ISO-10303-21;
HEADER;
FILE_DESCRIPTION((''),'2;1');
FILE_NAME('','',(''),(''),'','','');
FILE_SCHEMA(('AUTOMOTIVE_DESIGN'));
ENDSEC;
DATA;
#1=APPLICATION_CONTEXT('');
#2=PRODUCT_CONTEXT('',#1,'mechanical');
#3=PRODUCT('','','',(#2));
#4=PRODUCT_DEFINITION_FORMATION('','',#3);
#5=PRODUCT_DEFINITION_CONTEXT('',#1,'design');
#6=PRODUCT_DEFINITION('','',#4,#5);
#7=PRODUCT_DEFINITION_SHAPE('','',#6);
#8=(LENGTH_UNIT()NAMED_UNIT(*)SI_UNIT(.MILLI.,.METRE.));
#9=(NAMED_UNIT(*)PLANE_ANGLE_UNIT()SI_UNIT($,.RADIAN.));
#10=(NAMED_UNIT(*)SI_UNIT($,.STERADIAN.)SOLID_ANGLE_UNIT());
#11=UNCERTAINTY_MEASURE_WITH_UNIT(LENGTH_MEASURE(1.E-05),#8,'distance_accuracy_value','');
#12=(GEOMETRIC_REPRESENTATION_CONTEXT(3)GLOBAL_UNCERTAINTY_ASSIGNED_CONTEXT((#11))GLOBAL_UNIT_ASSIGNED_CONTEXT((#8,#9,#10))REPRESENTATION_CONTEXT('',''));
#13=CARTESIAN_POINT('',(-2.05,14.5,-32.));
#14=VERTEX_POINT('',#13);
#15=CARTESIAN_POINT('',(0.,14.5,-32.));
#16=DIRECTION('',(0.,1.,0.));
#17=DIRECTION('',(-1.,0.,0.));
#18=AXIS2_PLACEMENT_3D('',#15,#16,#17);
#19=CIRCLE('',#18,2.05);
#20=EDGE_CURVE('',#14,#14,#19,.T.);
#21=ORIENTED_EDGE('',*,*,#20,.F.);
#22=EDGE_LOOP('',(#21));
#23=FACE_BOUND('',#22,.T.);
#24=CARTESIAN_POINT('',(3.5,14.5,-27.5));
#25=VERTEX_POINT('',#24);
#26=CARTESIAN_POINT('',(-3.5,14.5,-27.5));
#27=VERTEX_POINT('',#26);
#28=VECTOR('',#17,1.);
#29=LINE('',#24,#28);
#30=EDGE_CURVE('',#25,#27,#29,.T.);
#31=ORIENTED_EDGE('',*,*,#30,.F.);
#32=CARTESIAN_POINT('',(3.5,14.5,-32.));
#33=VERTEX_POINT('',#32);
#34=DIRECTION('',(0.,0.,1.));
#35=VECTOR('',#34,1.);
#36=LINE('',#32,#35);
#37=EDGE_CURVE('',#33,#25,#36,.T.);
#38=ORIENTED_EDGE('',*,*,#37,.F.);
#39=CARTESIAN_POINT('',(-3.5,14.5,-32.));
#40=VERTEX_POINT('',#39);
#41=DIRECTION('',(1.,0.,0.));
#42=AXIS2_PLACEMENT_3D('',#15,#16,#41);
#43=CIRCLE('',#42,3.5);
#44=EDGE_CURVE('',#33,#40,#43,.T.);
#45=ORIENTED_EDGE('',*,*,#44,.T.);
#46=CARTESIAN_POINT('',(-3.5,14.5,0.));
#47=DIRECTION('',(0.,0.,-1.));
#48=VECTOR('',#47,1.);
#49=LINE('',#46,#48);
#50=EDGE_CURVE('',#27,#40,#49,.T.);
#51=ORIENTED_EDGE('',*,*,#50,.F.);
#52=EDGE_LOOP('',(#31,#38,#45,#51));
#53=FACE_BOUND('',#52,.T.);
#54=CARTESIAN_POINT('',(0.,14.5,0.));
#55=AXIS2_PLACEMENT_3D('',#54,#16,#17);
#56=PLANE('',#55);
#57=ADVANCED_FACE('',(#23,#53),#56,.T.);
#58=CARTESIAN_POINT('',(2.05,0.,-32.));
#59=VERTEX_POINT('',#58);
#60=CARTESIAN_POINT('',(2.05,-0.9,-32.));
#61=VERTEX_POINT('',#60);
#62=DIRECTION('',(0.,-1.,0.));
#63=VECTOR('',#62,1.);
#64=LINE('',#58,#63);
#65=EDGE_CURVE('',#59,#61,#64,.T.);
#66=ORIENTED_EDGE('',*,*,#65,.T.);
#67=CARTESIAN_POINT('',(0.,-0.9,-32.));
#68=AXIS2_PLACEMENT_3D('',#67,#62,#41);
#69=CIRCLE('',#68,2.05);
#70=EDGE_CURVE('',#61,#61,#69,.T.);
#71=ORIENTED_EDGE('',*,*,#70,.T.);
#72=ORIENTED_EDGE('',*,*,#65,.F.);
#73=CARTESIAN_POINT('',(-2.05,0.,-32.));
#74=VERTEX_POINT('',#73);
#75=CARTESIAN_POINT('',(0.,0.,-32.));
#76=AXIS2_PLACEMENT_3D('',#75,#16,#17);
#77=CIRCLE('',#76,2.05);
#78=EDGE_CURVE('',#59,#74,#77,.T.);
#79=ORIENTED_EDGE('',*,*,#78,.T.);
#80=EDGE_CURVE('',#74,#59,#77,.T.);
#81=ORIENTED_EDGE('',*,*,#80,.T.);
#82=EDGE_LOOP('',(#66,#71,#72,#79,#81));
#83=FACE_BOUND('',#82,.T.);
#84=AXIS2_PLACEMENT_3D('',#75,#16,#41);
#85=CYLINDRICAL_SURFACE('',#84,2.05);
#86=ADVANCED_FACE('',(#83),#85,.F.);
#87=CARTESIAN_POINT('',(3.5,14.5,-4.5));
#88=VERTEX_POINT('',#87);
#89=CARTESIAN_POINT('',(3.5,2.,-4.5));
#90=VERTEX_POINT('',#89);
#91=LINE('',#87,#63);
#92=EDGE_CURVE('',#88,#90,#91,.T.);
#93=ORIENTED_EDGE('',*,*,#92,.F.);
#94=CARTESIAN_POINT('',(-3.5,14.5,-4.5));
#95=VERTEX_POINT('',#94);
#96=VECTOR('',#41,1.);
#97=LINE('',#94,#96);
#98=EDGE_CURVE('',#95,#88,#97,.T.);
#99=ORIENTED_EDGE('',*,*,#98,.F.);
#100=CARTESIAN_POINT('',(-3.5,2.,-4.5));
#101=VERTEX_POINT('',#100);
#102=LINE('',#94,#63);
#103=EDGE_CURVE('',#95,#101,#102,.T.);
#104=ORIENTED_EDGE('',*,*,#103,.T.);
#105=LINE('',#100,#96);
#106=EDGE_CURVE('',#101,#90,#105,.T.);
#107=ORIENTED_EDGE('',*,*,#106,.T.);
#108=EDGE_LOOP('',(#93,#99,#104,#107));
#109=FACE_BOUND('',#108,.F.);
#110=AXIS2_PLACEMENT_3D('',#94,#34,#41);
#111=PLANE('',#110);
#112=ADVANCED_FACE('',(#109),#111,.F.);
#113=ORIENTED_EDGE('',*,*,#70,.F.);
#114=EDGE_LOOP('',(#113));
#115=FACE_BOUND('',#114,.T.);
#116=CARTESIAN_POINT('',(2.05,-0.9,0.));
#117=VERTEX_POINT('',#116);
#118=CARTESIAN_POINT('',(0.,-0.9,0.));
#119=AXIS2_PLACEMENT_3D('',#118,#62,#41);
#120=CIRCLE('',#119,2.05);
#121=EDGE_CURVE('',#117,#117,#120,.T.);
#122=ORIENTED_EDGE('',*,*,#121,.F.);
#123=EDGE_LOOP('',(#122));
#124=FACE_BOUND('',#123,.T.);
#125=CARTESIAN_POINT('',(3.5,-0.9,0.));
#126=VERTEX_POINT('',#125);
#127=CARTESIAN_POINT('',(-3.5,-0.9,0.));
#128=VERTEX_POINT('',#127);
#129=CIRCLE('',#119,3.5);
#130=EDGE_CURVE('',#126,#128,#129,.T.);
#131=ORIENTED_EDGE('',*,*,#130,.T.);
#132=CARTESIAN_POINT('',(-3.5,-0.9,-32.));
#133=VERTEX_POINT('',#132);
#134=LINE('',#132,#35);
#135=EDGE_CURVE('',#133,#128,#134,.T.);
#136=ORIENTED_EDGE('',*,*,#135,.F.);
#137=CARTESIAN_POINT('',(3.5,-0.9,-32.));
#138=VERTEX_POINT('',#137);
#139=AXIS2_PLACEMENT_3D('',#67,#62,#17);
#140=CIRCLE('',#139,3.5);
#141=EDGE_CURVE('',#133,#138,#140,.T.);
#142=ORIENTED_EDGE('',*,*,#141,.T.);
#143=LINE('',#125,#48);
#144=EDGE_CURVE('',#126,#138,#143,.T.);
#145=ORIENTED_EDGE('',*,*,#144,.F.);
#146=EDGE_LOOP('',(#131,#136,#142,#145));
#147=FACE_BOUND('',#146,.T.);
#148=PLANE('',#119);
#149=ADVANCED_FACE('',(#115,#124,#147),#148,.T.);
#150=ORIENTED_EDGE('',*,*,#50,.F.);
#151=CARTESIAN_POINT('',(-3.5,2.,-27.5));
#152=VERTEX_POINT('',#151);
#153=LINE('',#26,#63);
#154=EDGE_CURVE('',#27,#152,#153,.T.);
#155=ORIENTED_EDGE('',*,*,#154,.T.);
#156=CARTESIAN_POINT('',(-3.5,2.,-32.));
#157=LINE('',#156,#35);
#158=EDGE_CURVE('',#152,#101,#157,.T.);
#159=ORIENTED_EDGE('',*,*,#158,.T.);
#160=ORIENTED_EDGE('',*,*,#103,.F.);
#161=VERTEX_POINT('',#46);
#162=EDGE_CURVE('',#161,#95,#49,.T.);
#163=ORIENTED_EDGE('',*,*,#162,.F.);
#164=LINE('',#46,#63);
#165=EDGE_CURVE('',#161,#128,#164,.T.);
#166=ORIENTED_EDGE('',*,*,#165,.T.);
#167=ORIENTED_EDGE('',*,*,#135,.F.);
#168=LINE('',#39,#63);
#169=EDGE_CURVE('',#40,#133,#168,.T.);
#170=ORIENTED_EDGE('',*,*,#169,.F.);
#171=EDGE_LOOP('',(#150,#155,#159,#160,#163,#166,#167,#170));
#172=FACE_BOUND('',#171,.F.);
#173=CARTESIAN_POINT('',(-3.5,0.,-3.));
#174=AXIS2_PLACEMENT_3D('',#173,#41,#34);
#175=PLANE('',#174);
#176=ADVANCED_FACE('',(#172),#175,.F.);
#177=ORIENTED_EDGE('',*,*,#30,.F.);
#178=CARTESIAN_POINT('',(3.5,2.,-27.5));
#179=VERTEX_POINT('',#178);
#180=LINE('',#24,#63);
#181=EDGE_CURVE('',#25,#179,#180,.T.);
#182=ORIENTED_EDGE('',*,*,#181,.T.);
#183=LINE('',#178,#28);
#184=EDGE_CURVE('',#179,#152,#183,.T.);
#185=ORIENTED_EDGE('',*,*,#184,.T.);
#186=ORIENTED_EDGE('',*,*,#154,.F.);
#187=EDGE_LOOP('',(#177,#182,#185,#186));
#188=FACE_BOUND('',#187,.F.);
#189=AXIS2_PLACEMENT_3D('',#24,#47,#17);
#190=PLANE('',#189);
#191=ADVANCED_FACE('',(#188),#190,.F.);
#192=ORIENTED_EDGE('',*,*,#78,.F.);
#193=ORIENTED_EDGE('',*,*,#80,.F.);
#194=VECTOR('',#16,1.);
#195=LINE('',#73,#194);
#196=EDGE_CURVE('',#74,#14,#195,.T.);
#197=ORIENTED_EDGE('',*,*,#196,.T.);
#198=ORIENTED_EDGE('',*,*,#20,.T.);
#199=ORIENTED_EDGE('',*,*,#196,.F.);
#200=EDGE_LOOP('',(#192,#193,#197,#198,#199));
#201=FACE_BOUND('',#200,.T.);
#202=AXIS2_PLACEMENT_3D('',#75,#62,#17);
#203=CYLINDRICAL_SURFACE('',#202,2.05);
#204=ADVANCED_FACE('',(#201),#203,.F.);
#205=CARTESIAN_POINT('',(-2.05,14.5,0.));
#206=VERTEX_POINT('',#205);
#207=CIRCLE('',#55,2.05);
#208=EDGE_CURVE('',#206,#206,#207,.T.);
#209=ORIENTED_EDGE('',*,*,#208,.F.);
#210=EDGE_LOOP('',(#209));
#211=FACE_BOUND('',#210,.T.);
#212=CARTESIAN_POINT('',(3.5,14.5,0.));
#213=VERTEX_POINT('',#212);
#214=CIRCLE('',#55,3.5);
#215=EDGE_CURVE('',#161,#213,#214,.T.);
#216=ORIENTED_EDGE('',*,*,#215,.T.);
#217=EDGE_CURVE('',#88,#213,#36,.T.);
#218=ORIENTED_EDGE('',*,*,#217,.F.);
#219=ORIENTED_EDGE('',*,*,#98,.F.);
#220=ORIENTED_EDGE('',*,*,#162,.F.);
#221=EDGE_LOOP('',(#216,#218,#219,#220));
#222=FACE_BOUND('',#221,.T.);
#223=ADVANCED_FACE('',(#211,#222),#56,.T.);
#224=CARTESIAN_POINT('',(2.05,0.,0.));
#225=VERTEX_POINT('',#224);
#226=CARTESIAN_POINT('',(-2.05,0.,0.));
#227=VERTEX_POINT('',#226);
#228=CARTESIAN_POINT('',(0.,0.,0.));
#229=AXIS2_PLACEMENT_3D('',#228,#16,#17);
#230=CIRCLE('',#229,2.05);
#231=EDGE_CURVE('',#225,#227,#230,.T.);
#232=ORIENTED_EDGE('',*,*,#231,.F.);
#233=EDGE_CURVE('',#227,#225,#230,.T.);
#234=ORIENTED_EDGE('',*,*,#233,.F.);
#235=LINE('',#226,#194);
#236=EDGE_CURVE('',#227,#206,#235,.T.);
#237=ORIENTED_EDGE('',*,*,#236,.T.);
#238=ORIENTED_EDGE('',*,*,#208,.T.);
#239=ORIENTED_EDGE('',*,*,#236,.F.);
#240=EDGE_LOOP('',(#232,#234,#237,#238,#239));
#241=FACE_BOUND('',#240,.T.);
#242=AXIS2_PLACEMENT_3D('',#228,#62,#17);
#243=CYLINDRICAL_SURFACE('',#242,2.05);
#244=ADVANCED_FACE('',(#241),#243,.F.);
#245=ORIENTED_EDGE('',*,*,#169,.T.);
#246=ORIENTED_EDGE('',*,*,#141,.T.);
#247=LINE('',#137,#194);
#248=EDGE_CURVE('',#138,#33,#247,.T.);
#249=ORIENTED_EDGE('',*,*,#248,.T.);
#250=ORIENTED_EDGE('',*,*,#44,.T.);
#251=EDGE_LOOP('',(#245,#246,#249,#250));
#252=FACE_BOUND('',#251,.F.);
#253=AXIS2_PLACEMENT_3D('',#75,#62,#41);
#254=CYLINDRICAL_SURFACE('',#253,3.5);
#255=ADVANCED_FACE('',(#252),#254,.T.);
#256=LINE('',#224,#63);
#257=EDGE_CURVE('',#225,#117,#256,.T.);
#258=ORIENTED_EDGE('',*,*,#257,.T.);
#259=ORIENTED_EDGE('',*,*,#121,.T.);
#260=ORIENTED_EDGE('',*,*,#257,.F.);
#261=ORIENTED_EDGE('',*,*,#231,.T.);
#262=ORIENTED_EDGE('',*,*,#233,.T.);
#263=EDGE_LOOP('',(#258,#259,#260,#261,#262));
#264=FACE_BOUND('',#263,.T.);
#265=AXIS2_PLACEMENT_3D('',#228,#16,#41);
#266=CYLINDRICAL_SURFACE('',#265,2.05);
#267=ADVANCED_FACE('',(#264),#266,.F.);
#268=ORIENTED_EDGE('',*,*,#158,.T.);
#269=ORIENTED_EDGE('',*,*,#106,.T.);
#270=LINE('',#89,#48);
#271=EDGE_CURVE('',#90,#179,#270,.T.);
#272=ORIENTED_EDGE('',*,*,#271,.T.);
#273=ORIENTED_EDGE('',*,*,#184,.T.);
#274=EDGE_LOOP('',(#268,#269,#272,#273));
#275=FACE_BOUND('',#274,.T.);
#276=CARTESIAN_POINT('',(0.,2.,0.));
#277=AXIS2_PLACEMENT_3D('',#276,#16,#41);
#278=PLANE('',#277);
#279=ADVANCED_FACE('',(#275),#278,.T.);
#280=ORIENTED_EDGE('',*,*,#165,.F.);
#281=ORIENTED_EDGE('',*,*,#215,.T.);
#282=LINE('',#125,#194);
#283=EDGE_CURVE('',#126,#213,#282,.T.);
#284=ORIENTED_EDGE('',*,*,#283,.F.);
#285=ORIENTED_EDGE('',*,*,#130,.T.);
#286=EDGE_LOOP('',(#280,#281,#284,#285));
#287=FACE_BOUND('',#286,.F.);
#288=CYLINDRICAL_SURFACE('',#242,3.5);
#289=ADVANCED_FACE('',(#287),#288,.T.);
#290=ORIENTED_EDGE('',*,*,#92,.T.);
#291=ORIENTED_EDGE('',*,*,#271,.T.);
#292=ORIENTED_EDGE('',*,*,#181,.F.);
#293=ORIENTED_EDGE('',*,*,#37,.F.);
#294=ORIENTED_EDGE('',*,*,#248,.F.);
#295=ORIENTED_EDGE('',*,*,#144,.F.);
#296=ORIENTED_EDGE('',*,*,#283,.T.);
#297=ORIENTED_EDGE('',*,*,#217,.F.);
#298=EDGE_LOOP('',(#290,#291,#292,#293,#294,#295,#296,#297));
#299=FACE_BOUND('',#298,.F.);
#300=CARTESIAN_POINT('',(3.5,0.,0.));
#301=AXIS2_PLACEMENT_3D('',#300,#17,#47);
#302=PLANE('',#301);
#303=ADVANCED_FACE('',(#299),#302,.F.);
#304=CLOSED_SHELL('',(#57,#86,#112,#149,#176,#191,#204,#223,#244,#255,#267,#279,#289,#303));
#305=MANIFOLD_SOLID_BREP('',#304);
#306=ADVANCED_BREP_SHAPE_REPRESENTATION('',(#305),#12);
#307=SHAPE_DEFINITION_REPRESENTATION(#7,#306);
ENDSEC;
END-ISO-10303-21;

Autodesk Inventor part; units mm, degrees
ref_plane "YZ Plane" through (0, 0, 0) normal (1, 0, 0) x (0, 1, 0)
ref_plane "XZ Plane" through (0, 0, 0) normal (0, 1, 0) x (-1, 0, 0)
ref_plane "XY Plane" through (0, 0, 0) normal (0, 0, 1) x (1, 0, 0)
sketch "Sketch1" plane through (0, 0, 0) normal (0, 1, 0) x (-1, 0, 0)
  line L0 (0, 0) -> (0, -32) construction
  line L1 (-3.5, 0) -> (-3.5, -32)
  line L2 (3.5, -32) -> (3.5, 0)
  arc A0 (3.5, 0) -> (-3.5, 0) centre (0, 0) ccw
  arc A1 (-3.5, -32) -> (3.5, -32) centre (0, -32) ccw
  circle A2 centre (0, 0) radius 2.05
  circle A3 centre (0, -32) radius 2.05
  circle A4 centre (0, 0) radius 3.5 construction
  line L3 (-3.5, -4.5) -> (3.5, -4.5)
  line L4 (3.5, -4.5) -> (3.5, -27.5)
  line L5 (3.5, -27.5) -> (-3.5, -27.5)
  line L6 (-3.5, -27.5) -> (-3.5, -4.5)
  line L7 (3.5, -3) -> (-3.5, -3)
  line L8 (3.5, -29) -> (-3.5, -29)
  point P0 (0, -16)
  point P1 (3.5, -16)
  dimension "d0" = 32
  dimension "d1" = 7
  dimension "d2" = 4.1
  dimension "d3" = 4.1
  dimension "d4" = 7
  dimension "d5" = 7
  dimension "d6" = 23
  dimension "d7" = 1.5
  dimension "d8" = 1.5
extrude "Extrusion1" add sketch "Sketch1" along normal blind 14.5
sketch "Sketch3" plane through (0, 14.5, 0) normal (0, 1, 0) x (1, 0, 0)
  line L0 (-3.5, 32) -> (-3.5, 0) projected
  line L1 (-3.5, 4.5) -> (3.5, 4.5)
  line L2 (3.5, 4.5) -> (3.5, 27.5)
  line L3 (3.5, 27.5) -> (-3.5, 27.5)
  line L4 (-3.5, 27.5) -> (-3.5, 4.5)
  point P0 (0, 0)
  point P1 (-3.5, 16)
  dimension "d15" = 7
  dimension "d16" = 23
extrude "Extrusion2" cut sketch "Sketch3" against normal blind 12.5
sketch "Sketch5" plane through (0, 0, 0) normal (0, -1, 0) x (1, 0, 0)
  line L0 (0, 0) -> (0, -32) construction
  line L1 (-3.5, 0) -> (-3.5, -32)
  line L2 (3.5, -32) -> (3.5, 0)
  arc A0 (3.5, 0) -> (-3.5, 0) centre (0, 0) ccw
  arc A1 (-3.5, -32) -> (3.5, -32) centre (0, -32) ccw
  circle A2 centre (0, 0) radius 2.05
  circle A3 centre (0, -32) radius 2.05
  circle A4 centre (0, 0) radius 3.5 construction
  line L3 (-3.5, -4.5) -> (3.5, -4.5)
  line L4 (3.5, -4.5) -> (3.5, -27.5)
  line L5 (3.5, -27.5) -> (-3.5, -27.5)
  line L6 (-3.5, -27.5) -> (-3.5, -4.5)
  line L7 (3.5, -3) -> (-3.5, -3)
  line L8 (3.5, -29) -> (-3.5, -29)
  point P0 (0, -16)
  point P1 (3.5, -16)
  dimension "d22" = 32
  dimension "d23" = 7
  dimension "d24" = 4.1
  dimension "d25" = 4.1
  dimension "d26" = 7
  dimension "d27" = 7
  dimension "d28" = 23
  dimension "d29" = 1.5
  dimension "d30" = 1.5
extrude "Extrusion3" add sketch "Sketch5" along normal blind 0.9
properties part number "Micro_servo_frame_2"
